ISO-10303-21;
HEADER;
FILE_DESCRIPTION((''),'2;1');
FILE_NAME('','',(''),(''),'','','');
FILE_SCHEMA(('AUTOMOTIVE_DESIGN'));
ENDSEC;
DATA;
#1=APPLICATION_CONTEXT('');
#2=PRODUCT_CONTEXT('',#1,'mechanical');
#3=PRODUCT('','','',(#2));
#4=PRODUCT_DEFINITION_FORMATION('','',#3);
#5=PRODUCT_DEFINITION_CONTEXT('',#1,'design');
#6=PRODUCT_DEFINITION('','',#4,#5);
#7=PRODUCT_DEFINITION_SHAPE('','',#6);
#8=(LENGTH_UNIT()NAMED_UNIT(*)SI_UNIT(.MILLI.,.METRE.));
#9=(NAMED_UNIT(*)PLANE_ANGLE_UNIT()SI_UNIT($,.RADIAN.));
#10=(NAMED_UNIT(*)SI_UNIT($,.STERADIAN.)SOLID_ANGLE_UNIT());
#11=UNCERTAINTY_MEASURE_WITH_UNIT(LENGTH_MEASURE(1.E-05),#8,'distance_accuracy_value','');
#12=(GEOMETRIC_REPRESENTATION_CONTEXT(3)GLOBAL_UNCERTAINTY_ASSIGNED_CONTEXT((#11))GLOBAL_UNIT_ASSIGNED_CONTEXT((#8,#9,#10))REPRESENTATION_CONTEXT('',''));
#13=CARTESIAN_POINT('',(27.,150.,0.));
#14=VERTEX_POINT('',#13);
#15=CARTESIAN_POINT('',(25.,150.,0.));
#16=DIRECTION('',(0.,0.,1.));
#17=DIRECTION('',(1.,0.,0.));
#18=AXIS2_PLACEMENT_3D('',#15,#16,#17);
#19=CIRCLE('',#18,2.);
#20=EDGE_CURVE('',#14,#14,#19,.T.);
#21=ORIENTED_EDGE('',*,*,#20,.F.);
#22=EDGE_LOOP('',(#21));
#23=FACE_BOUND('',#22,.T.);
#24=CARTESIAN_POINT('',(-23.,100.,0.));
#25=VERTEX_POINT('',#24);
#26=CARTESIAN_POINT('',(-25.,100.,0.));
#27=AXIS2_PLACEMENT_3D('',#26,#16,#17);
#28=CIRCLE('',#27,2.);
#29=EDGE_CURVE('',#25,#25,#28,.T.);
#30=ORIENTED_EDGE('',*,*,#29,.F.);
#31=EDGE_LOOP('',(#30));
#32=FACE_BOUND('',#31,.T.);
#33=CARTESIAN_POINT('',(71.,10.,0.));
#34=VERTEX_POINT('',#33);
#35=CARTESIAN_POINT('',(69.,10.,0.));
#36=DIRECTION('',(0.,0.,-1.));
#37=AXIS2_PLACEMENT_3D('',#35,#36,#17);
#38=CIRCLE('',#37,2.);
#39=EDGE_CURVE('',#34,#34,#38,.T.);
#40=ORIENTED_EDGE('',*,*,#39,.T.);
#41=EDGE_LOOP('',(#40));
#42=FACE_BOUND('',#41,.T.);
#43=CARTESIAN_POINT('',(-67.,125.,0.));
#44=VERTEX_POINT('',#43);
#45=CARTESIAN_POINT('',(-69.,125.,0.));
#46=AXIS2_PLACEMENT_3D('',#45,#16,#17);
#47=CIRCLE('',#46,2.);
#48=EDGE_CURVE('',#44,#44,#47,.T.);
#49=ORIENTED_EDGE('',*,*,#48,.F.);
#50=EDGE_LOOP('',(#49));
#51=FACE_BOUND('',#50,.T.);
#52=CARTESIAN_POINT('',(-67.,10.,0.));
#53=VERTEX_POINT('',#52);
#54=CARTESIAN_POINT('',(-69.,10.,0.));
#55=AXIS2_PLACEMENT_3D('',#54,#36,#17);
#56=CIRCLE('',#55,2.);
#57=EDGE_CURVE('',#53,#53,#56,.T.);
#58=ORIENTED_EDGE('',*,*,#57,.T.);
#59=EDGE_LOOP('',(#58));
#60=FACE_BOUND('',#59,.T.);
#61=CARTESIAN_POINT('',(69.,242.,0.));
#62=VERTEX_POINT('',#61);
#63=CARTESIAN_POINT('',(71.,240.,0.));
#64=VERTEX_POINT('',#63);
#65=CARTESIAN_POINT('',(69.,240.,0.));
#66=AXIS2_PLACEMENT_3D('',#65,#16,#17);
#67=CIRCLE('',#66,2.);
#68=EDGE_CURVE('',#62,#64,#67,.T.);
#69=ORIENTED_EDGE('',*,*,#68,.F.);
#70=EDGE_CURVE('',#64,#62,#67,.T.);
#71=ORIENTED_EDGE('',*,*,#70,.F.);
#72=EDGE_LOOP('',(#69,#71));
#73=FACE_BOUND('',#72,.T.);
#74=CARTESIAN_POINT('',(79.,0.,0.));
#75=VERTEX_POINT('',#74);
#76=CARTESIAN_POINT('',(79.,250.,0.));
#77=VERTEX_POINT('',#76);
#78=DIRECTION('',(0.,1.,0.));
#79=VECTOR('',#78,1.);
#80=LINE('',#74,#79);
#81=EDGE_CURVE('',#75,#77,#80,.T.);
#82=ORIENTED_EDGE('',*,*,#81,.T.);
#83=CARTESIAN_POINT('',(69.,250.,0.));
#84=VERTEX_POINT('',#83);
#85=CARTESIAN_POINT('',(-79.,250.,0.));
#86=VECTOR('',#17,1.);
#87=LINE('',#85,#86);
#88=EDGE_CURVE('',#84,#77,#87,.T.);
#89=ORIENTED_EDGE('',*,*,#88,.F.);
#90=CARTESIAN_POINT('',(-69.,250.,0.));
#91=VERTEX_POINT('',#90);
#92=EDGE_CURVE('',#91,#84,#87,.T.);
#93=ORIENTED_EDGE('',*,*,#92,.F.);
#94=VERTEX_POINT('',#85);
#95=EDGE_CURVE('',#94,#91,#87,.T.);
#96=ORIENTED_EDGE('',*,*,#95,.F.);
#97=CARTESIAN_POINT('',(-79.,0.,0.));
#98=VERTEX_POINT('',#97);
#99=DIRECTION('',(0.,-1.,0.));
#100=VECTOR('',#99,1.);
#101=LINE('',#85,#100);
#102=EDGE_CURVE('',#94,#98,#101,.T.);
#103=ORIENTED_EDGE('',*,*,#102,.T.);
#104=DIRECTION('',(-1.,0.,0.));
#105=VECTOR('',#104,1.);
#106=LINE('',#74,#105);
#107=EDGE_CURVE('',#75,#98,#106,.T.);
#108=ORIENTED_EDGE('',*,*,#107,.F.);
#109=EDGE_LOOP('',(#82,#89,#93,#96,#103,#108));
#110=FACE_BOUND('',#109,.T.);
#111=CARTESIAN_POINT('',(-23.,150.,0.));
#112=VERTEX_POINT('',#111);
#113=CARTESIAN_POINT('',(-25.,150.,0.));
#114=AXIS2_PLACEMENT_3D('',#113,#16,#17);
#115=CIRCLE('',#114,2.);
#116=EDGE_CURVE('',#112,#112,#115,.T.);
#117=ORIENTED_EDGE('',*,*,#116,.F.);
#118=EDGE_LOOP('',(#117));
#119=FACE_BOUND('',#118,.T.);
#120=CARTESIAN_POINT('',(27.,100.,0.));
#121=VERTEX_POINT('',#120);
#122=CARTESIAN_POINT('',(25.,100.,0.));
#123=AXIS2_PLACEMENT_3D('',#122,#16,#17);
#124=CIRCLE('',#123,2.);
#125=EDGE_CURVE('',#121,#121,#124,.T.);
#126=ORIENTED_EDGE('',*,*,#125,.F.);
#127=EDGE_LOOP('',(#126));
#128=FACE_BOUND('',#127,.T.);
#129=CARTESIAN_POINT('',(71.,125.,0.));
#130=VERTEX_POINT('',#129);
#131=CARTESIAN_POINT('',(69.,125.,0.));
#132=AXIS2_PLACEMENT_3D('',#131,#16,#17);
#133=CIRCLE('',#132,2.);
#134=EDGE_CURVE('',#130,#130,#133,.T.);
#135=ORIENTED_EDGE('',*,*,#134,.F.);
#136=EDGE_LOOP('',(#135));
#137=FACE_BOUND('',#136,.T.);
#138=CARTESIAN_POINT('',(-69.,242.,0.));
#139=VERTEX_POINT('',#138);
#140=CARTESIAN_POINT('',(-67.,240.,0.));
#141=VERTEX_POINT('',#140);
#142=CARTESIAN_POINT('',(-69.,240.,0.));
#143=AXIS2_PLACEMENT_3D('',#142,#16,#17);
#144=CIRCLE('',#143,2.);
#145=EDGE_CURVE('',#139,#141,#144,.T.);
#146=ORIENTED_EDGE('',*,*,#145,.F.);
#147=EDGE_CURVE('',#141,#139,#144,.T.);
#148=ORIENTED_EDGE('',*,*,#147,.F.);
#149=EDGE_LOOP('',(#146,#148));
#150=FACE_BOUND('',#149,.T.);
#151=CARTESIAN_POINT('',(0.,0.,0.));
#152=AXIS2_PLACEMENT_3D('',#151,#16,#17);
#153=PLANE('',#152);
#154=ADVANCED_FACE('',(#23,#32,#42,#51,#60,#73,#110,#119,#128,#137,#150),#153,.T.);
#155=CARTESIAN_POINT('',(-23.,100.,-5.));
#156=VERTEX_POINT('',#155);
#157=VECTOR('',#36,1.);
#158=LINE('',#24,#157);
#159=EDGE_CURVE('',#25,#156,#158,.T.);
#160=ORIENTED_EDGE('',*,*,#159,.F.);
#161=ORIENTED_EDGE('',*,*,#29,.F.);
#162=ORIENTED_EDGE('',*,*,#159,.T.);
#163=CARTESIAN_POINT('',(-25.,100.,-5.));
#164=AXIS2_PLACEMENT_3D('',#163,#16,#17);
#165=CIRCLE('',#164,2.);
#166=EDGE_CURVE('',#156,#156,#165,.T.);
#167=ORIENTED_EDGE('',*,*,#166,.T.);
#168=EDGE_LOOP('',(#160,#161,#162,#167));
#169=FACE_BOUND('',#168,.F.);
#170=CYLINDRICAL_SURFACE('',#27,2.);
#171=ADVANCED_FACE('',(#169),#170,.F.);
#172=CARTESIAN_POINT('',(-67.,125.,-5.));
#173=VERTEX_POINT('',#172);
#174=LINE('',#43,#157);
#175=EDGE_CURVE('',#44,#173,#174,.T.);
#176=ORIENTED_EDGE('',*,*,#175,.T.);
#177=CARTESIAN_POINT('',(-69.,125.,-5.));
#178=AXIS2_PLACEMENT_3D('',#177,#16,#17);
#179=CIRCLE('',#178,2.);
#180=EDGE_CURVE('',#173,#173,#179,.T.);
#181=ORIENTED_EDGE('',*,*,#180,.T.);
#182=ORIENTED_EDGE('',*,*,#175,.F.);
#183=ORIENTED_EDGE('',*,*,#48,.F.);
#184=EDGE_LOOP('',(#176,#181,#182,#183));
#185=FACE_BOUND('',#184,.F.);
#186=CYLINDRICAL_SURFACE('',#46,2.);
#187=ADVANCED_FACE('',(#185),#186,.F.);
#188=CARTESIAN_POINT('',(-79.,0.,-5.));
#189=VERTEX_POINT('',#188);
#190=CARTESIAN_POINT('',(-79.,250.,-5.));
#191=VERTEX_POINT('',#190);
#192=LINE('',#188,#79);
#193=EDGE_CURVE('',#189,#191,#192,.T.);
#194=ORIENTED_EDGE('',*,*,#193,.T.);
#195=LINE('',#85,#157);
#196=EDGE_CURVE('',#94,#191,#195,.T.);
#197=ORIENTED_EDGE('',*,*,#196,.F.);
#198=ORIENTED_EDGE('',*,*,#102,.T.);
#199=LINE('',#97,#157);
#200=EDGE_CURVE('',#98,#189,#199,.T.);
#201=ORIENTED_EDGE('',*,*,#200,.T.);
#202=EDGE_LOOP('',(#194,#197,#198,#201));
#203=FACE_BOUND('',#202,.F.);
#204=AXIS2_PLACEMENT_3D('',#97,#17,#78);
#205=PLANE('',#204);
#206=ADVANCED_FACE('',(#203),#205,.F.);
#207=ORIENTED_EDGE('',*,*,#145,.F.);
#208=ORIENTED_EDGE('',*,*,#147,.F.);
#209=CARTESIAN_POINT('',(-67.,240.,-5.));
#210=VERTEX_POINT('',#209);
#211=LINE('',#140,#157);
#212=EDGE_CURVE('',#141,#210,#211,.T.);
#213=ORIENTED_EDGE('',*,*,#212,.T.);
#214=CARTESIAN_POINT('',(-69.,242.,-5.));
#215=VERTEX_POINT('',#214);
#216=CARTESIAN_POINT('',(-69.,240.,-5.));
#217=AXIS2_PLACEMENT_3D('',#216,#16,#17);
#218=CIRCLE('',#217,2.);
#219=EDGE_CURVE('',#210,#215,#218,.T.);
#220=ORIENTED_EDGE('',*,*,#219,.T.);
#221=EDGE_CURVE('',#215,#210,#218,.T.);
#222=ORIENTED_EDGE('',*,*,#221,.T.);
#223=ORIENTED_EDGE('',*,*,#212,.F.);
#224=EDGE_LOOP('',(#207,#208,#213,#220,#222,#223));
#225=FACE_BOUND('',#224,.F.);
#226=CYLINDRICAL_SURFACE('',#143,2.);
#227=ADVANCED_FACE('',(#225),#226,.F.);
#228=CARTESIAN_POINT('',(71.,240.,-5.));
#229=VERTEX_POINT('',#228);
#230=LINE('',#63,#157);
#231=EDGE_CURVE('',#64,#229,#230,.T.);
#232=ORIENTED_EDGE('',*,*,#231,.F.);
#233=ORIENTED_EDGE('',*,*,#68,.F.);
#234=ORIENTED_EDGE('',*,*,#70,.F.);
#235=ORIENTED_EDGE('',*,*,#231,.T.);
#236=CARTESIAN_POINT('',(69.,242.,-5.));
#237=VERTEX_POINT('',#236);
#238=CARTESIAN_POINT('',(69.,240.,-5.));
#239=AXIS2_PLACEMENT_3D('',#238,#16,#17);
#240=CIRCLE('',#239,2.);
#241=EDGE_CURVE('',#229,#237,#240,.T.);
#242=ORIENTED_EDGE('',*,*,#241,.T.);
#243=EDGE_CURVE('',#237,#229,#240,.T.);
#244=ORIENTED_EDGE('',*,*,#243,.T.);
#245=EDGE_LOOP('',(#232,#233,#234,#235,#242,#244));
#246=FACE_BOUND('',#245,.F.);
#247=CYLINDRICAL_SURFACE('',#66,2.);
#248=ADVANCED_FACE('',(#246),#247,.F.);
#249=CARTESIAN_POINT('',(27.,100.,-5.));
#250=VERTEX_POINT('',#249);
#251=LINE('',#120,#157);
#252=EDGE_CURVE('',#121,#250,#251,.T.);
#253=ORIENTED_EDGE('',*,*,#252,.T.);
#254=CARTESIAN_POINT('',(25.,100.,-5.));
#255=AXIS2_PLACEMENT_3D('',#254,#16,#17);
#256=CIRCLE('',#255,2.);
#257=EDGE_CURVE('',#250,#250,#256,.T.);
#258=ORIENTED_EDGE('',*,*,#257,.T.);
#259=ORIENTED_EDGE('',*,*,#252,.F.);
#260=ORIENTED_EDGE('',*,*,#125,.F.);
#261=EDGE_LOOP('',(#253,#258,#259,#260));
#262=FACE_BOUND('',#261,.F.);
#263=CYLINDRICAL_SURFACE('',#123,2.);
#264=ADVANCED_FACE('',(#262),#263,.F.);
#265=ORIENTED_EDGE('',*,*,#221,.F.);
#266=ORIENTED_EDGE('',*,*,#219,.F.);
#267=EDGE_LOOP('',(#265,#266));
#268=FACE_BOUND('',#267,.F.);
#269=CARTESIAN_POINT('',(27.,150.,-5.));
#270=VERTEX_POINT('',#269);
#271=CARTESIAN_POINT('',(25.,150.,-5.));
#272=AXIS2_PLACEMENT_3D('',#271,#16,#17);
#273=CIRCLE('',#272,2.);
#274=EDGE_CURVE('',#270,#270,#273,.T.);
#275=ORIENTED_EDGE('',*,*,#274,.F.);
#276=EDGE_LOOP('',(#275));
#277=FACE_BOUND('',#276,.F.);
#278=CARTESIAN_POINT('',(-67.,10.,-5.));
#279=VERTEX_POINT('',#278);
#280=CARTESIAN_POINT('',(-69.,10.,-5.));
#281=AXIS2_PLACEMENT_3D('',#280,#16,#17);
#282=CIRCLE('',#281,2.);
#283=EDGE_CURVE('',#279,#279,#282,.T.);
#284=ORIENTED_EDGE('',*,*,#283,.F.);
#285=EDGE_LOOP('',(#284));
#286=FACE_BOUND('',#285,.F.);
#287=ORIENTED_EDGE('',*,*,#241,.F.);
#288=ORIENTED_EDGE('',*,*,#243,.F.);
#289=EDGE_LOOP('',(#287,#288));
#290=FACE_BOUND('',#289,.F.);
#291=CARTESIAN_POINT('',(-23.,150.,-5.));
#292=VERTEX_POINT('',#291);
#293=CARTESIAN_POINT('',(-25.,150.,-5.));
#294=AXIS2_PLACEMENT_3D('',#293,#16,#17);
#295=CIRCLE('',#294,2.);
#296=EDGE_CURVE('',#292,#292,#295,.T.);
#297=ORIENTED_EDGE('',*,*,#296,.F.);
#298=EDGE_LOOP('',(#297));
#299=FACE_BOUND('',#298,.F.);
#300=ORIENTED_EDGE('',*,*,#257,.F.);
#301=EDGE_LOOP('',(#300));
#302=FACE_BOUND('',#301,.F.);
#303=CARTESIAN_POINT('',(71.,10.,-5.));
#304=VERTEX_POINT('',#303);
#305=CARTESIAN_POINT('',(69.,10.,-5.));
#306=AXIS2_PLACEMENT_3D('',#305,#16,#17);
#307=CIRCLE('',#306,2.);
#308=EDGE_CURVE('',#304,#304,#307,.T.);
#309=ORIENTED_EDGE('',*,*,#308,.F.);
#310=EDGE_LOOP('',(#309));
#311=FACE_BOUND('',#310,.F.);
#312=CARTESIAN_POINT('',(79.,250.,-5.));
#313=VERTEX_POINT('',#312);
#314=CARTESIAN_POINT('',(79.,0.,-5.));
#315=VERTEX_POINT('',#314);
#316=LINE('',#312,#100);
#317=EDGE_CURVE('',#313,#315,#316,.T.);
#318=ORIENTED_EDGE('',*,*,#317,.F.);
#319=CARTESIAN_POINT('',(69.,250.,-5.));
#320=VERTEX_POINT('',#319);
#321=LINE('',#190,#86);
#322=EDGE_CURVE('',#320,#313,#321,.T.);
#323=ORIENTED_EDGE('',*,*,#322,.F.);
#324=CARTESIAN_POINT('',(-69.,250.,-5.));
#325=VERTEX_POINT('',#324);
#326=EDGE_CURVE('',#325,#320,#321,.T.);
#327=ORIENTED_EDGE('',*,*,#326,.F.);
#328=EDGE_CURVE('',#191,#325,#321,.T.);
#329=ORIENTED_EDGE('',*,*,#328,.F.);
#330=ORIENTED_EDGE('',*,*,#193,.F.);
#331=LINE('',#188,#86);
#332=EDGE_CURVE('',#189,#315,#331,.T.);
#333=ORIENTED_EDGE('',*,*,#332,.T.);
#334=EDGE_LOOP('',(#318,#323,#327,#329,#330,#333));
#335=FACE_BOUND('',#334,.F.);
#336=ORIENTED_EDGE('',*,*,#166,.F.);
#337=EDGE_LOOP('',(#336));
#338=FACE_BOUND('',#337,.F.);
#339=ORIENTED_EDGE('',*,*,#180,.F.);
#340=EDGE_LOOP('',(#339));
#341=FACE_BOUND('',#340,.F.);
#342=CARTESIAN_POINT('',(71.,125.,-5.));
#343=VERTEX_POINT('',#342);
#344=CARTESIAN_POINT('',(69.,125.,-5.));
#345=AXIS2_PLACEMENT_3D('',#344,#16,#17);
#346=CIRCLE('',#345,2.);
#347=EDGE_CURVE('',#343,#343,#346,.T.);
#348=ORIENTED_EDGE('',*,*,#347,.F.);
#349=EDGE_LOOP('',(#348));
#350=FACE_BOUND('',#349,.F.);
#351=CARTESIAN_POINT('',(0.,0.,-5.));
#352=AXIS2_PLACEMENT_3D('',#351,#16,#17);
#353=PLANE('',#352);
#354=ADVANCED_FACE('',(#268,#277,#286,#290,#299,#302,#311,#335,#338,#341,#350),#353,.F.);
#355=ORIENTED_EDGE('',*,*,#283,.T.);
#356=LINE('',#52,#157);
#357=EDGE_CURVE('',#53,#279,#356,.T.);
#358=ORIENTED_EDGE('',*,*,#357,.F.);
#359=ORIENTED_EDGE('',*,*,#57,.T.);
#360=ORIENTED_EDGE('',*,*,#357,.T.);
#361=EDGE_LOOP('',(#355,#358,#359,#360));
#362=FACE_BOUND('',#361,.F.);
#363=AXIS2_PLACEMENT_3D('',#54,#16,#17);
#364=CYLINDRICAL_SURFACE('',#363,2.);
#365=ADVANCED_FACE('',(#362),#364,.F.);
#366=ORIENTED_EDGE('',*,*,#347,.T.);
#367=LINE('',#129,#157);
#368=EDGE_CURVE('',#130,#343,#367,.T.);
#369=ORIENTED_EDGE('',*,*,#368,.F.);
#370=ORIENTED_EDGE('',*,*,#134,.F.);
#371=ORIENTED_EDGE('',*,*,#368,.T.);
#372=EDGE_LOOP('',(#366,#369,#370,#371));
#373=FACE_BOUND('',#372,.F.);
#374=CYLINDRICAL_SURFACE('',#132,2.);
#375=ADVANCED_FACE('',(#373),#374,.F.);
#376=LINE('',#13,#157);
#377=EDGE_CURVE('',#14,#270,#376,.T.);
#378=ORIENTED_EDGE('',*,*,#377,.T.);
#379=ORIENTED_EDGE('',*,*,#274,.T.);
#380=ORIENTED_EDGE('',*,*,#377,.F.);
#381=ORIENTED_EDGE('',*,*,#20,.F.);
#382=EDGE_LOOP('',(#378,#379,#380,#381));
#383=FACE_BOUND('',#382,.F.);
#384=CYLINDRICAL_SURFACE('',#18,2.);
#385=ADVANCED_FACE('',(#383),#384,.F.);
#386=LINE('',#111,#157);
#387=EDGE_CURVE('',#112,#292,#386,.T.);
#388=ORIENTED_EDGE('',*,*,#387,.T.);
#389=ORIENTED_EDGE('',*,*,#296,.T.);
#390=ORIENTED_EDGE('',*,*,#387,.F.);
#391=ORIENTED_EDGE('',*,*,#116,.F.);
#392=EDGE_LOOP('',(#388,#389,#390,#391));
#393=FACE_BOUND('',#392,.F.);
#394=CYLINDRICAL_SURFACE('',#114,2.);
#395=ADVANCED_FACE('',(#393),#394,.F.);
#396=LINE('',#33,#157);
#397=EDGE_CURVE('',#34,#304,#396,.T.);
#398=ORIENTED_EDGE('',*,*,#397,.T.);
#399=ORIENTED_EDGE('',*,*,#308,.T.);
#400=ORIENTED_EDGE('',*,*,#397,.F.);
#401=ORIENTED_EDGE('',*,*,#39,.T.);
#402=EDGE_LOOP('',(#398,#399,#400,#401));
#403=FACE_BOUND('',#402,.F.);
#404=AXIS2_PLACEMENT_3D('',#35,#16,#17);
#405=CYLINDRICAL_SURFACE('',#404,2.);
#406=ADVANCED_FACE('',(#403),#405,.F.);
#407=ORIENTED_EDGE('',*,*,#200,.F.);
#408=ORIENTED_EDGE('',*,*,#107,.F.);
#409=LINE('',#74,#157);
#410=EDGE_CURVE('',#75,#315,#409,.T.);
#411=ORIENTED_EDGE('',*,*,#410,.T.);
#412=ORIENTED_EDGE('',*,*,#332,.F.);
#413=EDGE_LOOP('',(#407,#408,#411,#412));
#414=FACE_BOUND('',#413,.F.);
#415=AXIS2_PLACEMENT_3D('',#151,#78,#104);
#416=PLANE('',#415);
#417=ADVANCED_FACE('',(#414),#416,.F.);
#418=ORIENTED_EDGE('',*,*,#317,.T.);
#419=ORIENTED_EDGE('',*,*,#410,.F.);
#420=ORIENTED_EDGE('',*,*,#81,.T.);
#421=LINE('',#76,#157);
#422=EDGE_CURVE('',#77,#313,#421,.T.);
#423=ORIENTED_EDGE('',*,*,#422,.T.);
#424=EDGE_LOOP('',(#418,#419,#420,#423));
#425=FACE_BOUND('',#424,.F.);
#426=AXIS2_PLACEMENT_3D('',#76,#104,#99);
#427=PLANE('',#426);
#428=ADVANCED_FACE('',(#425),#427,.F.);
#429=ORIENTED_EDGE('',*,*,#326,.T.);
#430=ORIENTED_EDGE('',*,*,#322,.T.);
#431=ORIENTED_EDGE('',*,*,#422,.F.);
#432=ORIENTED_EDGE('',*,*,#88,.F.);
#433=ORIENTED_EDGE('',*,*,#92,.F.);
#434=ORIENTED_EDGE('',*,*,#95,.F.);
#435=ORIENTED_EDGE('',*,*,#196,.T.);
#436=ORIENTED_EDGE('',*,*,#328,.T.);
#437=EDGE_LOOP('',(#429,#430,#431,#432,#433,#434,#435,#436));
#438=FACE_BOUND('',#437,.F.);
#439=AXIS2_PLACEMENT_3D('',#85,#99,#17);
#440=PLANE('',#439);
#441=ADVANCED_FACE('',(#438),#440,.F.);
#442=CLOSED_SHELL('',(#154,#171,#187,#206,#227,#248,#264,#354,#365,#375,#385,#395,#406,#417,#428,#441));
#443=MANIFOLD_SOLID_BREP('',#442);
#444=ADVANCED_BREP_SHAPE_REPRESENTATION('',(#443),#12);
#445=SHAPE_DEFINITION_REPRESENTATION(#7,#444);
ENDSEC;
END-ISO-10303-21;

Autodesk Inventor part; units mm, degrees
ref_plane "YZ Plane" through (0, 0, 0) normal (1, 0, 0) x (0, 1, 0)
ref_plane "XZ Plane" through (0, 0, 0) normal (0, 1, 0) x (-1, 0, 0)
ref_plane "XY Plane" through (0, 0, 0) normal (0, 0, 1) x (1, 0, 0)
sketch "Esquisse1" plane through (0, 0, 0) normal (0, 0, 1) x (1, 0, 0)
  line L0 (0, 0) -> (-79, 0)
  line L1 (-79, 0) -> (-79, 250)
  line L2 (-79, 250) -> (79, 250)
  line L3 (79, 250) -> (79, 0)
  line L4 (79, 0) -> (0, 0)
  line L5 (-69, 250) -> (-69, 240)
  line L6 (-69, 240) -> (-69, 125) construction
  line L7 (-69, 125) -> (-69, 10) construction
  line L8 (-69, 10) -> (-69, 0)
  line L9 (69, 0) -> (69, 10)
  line L10 (69, 10) -> (69, 125) construction
  line L11 (69, 125) -> (69, 240) construction
  line L12 (69, 240) -> (69, 250)
  circle A0 centre (-69, 240) radius 2
  circle A1 centre (69, 240) radius 2
  circle A2 centre (69, 125) radius 2
  circle A3 centre (-69, 125) radius 2
  circle A4 centre (-69, 10) radius 2
  circle A5 centre (69, 10) radius 2
  line L13 (-69, 10) -> (-79, 10)
  line L14 (69, 10) -> (79, 10)
  line L15 (25, 150) -> (-25, 150) construction
  line L16 (-25, 150) -> (-25, 100) construction
  line L17 (-25, 100) -> (25, 100) construction
  line L18 (25, 100) -> (25, 150) construction
  line L19 (25, 150) -> (-25, 100) construction
  line L20 (-25, 150) -> (25, 100) construction
  line L21 (-69, 125) -> (69, 125) construction
  circle A6 centre (-25, 150) radius 2
  circle A7 centre (25, 150) radius 2
  circle A8 centre (25, 100) radius 2
  circle A9 centre (-25, 100) radius 2
  point P0 (0, 125)
  dimension "d0" = 250
  dimension "d3" = 158
  dimension "d4" = 10
  dimension "d5" = 4
  dimension "d8" = 4
  dimension "d9" = 50
  dimension "d10" = 50
extrude "Extrusion1" add sketch "Esquisse1" against normal blind 5 contours L0 L8 A4 L13 L1 L2 L3 L14 A5 L9 L4 | L0 L1 L13 A4 L8 | L9 A5 L14 L3 L4
properties part number "Plaque arrière"
